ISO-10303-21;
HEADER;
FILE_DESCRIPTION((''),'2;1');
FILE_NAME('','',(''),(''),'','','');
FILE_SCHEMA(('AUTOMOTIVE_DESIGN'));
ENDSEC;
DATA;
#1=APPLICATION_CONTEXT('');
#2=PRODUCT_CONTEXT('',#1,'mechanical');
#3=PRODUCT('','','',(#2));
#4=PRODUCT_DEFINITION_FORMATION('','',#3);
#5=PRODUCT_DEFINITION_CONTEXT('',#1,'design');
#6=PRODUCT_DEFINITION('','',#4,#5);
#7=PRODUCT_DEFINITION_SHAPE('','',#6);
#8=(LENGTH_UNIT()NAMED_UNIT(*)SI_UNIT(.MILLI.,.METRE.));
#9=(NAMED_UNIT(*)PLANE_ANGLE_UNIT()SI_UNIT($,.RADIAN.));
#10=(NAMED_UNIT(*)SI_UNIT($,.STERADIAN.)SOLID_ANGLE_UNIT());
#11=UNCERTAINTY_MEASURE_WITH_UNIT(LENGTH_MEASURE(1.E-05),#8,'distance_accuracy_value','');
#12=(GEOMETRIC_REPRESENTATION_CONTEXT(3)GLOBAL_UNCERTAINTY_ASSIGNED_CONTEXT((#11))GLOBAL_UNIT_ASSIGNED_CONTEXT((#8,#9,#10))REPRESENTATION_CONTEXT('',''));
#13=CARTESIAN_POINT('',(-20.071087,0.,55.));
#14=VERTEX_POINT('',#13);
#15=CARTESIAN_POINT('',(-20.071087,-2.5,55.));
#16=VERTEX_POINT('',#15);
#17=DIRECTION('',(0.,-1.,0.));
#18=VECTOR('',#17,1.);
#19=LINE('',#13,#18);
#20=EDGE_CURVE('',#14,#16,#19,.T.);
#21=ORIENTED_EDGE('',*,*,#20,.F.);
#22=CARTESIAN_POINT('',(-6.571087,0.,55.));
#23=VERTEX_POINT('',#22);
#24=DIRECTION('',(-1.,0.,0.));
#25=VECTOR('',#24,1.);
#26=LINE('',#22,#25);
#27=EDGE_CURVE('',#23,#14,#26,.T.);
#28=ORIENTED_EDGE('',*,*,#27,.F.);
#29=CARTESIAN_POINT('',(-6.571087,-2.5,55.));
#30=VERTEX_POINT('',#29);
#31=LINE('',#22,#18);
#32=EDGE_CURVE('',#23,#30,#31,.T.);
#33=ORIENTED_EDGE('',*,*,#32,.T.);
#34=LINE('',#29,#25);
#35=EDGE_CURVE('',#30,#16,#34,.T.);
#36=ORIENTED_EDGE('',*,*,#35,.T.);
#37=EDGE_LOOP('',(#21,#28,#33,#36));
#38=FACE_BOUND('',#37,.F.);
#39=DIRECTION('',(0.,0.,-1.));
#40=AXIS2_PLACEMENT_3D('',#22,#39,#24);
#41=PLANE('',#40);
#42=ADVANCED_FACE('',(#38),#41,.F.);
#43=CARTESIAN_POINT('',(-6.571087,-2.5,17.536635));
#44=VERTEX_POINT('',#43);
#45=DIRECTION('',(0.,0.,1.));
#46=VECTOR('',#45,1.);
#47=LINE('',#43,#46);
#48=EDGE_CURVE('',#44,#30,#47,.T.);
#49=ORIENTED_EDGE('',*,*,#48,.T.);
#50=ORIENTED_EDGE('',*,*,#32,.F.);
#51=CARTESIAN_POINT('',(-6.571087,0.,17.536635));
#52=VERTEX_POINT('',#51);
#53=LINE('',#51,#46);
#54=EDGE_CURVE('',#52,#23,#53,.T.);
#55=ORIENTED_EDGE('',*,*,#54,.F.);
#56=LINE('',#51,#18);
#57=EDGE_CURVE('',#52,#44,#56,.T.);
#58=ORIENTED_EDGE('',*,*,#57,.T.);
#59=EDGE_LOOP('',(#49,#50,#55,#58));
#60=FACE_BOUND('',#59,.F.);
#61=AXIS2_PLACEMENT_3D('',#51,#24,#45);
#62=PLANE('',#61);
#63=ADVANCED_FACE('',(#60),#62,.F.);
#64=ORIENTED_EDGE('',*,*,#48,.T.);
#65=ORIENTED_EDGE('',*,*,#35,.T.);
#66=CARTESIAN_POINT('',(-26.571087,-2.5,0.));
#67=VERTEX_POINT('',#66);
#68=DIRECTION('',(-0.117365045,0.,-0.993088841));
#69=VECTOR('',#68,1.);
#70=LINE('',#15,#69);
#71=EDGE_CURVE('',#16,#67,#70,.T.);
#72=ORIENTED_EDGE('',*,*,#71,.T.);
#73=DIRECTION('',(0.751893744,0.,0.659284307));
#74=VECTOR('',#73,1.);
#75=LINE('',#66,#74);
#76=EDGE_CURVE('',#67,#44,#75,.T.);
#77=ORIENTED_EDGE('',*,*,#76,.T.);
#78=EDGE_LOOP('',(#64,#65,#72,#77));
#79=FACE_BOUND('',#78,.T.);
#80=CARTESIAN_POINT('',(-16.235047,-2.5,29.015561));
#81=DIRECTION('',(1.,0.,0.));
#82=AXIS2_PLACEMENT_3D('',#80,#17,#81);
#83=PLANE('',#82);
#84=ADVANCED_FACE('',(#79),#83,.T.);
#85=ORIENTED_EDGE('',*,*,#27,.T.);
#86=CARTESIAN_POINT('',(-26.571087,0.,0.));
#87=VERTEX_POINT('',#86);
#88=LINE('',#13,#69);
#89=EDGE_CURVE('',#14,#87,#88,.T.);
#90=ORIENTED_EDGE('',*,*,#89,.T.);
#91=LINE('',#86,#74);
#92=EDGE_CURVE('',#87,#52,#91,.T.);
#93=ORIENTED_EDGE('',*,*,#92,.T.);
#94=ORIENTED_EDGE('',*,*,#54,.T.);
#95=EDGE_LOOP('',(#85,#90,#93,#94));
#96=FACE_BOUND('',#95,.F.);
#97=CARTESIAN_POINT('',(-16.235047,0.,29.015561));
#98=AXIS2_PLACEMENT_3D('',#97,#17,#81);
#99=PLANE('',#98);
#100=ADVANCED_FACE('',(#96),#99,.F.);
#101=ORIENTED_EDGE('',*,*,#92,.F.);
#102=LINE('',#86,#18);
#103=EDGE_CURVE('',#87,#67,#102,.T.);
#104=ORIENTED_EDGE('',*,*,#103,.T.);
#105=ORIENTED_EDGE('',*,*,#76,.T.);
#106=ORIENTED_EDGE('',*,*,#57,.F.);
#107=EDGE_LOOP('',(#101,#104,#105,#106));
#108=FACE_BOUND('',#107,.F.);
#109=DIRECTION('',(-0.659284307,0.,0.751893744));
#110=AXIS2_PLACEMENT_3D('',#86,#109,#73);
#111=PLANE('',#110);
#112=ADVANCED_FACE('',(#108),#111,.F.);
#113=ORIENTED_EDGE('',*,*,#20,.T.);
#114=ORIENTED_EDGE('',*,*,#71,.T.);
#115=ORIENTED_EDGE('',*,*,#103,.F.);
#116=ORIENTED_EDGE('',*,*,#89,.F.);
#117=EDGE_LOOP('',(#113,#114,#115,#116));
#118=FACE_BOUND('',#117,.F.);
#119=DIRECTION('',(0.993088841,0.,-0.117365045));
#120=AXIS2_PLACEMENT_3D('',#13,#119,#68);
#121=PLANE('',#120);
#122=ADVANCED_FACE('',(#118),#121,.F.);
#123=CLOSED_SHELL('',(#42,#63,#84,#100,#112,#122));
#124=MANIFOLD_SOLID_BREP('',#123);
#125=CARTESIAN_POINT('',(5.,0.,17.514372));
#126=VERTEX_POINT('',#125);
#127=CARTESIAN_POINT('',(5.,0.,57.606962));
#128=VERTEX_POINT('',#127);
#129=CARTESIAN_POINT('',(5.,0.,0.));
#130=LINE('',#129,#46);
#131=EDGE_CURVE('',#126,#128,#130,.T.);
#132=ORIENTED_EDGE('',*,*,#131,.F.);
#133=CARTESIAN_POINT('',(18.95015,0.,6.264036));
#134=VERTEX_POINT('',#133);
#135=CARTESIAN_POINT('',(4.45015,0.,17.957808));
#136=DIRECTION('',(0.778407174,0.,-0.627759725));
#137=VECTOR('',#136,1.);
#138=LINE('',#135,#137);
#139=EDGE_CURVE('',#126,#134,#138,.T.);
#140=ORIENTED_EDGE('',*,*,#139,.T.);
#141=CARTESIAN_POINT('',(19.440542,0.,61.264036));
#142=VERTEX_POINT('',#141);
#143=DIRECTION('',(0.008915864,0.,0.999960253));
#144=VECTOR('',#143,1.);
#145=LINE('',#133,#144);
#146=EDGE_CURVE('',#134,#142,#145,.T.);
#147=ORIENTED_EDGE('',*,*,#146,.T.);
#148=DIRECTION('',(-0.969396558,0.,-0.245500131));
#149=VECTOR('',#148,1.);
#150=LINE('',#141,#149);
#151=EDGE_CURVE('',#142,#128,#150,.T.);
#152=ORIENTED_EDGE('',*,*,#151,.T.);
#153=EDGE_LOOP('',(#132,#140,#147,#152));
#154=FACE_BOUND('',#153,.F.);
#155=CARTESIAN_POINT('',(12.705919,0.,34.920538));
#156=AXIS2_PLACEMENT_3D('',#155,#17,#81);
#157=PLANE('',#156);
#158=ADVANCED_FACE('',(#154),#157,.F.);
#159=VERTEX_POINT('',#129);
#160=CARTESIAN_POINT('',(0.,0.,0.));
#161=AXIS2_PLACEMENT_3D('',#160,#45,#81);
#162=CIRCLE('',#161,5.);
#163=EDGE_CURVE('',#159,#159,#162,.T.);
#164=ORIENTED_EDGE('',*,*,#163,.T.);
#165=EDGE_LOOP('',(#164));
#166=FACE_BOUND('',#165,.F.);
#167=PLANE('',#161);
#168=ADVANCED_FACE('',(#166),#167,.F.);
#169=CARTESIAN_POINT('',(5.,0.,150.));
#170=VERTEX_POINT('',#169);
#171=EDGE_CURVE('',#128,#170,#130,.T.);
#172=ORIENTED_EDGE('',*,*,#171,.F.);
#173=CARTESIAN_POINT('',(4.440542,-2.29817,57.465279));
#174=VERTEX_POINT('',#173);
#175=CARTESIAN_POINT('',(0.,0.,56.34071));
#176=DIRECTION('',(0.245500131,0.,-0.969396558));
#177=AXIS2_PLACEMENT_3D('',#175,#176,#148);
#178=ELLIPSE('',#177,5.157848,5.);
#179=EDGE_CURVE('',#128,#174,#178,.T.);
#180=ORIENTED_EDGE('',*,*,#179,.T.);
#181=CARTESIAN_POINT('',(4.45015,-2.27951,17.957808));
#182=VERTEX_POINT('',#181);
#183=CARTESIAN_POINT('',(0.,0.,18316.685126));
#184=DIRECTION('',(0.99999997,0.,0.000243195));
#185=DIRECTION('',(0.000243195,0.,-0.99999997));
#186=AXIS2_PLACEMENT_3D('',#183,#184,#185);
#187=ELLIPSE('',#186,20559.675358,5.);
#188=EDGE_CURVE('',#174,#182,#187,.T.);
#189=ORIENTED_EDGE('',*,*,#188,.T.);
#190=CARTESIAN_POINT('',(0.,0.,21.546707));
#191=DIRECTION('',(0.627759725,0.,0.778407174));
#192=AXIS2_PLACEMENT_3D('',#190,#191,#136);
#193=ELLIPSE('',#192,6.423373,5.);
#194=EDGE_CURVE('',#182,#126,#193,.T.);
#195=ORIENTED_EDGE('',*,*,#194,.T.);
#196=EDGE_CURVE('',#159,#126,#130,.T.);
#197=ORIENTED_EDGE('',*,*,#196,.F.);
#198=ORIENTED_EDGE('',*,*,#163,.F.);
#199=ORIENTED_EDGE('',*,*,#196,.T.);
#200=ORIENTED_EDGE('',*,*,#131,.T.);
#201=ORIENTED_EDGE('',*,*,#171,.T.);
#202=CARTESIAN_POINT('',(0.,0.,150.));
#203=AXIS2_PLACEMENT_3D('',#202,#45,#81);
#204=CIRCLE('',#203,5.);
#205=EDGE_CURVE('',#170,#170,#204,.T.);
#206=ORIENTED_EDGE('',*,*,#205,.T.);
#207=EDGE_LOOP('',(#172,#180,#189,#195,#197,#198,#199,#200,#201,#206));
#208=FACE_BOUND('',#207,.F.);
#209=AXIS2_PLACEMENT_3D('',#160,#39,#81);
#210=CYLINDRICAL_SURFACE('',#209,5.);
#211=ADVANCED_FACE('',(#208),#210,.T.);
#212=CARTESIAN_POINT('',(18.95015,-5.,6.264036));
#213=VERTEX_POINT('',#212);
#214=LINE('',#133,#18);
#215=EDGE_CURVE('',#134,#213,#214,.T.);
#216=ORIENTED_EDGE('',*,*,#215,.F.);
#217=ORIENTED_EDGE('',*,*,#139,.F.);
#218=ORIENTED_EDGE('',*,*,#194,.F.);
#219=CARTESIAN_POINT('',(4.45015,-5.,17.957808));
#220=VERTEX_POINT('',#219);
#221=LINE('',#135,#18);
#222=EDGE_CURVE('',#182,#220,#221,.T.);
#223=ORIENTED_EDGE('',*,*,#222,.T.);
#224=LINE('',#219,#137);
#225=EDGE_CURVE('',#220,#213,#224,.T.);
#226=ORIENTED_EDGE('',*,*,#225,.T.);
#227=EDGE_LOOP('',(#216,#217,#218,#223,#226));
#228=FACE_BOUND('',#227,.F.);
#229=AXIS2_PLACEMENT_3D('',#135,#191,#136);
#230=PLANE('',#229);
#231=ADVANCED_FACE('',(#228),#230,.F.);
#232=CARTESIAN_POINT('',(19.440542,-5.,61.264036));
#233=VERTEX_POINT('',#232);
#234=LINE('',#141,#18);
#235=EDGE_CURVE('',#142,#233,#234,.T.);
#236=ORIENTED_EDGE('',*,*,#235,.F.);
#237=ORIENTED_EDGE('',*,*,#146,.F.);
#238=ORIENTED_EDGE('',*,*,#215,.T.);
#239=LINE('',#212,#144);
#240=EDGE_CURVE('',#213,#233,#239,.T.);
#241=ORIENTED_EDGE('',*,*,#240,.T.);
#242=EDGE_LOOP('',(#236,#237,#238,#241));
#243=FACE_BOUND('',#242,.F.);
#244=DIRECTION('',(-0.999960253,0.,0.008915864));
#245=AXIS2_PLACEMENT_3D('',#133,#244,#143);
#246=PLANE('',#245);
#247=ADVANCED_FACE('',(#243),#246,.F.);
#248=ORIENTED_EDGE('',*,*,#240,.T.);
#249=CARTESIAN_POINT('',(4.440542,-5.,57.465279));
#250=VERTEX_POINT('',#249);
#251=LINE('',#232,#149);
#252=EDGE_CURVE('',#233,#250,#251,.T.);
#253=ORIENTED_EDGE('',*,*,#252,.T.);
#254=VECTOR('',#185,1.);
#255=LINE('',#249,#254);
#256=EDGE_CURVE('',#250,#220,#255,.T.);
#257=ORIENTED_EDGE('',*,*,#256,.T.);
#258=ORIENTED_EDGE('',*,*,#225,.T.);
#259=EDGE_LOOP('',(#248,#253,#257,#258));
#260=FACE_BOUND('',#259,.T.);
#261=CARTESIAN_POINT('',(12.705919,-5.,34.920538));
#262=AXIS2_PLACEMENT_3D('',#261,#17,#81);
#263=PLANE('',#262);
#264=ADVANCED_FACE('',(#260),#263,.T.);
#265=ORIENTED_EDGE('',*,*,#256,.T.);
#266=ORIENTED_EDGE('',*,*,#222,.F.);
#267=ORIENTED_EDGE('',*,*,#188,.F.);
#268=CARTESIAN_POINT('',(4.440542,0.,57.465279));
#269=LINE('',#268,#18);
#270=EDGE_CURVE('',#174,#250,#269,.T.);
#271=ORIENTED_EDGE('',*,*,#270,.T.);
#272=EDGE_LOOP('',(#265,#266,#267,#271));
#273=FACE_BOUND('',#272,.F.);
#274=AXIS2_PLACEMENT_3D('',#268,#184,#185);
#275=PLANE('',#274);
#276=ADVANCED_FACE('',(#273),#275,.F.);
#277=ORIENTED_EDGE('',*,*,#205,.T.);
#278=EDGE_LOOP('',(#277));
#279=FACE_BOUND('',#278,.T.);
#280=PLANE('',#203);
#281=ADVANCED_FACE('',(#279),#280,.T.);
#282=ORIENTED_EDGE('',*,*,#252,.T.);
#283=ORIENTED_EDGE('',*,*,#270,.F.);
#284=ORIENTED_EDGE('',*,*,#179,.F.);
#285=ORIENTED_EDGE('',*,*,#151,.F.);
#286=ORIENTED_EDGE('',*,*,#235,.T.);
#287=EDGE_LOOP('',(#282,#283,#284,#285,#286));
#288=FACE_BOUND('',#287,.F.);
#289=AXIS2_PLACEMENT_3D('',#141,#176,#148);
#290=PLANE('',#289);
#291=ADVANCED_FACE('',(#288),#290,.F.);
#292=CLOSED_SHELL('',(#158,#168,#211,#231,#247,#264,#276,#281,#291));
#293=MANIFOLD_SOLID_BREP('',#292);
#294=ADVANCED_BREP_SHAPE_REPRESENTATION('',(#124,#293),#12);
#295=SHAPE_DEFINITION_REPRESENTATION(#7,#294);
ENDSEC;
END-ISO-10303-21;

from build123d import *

# Parameters (mm, degrees)
F0_R     = 5
F1_DEPTH = 150
F3_DEPTH = 2.5
F5_DEPTH = 5


with BuildPart() as f1:
    # F0 (on Top) → F1 (new body)
    with BuildSketch(Plane.XY):
        Circle(F0_R)
    extrude(amount=F1_DEPTH)

    # F4 (on Front) → F5 (join)
    with BuildSketch(Plane.XZ):
        Polygon((19.440542, 61.264036), (4.440542, 57.465279), (4.45015, 17.957808), (18.95015, 6.264036), align=None)
    extrude(amount=F5_DEPTH)


with BuildPart() as f3:
    # F2 (on Front) → F3 (new body)
    with BuildSketch(Plane.XZ):
        Polygon((-6.571087, 17.536635), (-6.571087, 55), (-20.071087, 55), (-26.571087, 0), align=None)
    extrude(amount=F3_DEPTH)


solid = Compound([f1.part, f3.part])
